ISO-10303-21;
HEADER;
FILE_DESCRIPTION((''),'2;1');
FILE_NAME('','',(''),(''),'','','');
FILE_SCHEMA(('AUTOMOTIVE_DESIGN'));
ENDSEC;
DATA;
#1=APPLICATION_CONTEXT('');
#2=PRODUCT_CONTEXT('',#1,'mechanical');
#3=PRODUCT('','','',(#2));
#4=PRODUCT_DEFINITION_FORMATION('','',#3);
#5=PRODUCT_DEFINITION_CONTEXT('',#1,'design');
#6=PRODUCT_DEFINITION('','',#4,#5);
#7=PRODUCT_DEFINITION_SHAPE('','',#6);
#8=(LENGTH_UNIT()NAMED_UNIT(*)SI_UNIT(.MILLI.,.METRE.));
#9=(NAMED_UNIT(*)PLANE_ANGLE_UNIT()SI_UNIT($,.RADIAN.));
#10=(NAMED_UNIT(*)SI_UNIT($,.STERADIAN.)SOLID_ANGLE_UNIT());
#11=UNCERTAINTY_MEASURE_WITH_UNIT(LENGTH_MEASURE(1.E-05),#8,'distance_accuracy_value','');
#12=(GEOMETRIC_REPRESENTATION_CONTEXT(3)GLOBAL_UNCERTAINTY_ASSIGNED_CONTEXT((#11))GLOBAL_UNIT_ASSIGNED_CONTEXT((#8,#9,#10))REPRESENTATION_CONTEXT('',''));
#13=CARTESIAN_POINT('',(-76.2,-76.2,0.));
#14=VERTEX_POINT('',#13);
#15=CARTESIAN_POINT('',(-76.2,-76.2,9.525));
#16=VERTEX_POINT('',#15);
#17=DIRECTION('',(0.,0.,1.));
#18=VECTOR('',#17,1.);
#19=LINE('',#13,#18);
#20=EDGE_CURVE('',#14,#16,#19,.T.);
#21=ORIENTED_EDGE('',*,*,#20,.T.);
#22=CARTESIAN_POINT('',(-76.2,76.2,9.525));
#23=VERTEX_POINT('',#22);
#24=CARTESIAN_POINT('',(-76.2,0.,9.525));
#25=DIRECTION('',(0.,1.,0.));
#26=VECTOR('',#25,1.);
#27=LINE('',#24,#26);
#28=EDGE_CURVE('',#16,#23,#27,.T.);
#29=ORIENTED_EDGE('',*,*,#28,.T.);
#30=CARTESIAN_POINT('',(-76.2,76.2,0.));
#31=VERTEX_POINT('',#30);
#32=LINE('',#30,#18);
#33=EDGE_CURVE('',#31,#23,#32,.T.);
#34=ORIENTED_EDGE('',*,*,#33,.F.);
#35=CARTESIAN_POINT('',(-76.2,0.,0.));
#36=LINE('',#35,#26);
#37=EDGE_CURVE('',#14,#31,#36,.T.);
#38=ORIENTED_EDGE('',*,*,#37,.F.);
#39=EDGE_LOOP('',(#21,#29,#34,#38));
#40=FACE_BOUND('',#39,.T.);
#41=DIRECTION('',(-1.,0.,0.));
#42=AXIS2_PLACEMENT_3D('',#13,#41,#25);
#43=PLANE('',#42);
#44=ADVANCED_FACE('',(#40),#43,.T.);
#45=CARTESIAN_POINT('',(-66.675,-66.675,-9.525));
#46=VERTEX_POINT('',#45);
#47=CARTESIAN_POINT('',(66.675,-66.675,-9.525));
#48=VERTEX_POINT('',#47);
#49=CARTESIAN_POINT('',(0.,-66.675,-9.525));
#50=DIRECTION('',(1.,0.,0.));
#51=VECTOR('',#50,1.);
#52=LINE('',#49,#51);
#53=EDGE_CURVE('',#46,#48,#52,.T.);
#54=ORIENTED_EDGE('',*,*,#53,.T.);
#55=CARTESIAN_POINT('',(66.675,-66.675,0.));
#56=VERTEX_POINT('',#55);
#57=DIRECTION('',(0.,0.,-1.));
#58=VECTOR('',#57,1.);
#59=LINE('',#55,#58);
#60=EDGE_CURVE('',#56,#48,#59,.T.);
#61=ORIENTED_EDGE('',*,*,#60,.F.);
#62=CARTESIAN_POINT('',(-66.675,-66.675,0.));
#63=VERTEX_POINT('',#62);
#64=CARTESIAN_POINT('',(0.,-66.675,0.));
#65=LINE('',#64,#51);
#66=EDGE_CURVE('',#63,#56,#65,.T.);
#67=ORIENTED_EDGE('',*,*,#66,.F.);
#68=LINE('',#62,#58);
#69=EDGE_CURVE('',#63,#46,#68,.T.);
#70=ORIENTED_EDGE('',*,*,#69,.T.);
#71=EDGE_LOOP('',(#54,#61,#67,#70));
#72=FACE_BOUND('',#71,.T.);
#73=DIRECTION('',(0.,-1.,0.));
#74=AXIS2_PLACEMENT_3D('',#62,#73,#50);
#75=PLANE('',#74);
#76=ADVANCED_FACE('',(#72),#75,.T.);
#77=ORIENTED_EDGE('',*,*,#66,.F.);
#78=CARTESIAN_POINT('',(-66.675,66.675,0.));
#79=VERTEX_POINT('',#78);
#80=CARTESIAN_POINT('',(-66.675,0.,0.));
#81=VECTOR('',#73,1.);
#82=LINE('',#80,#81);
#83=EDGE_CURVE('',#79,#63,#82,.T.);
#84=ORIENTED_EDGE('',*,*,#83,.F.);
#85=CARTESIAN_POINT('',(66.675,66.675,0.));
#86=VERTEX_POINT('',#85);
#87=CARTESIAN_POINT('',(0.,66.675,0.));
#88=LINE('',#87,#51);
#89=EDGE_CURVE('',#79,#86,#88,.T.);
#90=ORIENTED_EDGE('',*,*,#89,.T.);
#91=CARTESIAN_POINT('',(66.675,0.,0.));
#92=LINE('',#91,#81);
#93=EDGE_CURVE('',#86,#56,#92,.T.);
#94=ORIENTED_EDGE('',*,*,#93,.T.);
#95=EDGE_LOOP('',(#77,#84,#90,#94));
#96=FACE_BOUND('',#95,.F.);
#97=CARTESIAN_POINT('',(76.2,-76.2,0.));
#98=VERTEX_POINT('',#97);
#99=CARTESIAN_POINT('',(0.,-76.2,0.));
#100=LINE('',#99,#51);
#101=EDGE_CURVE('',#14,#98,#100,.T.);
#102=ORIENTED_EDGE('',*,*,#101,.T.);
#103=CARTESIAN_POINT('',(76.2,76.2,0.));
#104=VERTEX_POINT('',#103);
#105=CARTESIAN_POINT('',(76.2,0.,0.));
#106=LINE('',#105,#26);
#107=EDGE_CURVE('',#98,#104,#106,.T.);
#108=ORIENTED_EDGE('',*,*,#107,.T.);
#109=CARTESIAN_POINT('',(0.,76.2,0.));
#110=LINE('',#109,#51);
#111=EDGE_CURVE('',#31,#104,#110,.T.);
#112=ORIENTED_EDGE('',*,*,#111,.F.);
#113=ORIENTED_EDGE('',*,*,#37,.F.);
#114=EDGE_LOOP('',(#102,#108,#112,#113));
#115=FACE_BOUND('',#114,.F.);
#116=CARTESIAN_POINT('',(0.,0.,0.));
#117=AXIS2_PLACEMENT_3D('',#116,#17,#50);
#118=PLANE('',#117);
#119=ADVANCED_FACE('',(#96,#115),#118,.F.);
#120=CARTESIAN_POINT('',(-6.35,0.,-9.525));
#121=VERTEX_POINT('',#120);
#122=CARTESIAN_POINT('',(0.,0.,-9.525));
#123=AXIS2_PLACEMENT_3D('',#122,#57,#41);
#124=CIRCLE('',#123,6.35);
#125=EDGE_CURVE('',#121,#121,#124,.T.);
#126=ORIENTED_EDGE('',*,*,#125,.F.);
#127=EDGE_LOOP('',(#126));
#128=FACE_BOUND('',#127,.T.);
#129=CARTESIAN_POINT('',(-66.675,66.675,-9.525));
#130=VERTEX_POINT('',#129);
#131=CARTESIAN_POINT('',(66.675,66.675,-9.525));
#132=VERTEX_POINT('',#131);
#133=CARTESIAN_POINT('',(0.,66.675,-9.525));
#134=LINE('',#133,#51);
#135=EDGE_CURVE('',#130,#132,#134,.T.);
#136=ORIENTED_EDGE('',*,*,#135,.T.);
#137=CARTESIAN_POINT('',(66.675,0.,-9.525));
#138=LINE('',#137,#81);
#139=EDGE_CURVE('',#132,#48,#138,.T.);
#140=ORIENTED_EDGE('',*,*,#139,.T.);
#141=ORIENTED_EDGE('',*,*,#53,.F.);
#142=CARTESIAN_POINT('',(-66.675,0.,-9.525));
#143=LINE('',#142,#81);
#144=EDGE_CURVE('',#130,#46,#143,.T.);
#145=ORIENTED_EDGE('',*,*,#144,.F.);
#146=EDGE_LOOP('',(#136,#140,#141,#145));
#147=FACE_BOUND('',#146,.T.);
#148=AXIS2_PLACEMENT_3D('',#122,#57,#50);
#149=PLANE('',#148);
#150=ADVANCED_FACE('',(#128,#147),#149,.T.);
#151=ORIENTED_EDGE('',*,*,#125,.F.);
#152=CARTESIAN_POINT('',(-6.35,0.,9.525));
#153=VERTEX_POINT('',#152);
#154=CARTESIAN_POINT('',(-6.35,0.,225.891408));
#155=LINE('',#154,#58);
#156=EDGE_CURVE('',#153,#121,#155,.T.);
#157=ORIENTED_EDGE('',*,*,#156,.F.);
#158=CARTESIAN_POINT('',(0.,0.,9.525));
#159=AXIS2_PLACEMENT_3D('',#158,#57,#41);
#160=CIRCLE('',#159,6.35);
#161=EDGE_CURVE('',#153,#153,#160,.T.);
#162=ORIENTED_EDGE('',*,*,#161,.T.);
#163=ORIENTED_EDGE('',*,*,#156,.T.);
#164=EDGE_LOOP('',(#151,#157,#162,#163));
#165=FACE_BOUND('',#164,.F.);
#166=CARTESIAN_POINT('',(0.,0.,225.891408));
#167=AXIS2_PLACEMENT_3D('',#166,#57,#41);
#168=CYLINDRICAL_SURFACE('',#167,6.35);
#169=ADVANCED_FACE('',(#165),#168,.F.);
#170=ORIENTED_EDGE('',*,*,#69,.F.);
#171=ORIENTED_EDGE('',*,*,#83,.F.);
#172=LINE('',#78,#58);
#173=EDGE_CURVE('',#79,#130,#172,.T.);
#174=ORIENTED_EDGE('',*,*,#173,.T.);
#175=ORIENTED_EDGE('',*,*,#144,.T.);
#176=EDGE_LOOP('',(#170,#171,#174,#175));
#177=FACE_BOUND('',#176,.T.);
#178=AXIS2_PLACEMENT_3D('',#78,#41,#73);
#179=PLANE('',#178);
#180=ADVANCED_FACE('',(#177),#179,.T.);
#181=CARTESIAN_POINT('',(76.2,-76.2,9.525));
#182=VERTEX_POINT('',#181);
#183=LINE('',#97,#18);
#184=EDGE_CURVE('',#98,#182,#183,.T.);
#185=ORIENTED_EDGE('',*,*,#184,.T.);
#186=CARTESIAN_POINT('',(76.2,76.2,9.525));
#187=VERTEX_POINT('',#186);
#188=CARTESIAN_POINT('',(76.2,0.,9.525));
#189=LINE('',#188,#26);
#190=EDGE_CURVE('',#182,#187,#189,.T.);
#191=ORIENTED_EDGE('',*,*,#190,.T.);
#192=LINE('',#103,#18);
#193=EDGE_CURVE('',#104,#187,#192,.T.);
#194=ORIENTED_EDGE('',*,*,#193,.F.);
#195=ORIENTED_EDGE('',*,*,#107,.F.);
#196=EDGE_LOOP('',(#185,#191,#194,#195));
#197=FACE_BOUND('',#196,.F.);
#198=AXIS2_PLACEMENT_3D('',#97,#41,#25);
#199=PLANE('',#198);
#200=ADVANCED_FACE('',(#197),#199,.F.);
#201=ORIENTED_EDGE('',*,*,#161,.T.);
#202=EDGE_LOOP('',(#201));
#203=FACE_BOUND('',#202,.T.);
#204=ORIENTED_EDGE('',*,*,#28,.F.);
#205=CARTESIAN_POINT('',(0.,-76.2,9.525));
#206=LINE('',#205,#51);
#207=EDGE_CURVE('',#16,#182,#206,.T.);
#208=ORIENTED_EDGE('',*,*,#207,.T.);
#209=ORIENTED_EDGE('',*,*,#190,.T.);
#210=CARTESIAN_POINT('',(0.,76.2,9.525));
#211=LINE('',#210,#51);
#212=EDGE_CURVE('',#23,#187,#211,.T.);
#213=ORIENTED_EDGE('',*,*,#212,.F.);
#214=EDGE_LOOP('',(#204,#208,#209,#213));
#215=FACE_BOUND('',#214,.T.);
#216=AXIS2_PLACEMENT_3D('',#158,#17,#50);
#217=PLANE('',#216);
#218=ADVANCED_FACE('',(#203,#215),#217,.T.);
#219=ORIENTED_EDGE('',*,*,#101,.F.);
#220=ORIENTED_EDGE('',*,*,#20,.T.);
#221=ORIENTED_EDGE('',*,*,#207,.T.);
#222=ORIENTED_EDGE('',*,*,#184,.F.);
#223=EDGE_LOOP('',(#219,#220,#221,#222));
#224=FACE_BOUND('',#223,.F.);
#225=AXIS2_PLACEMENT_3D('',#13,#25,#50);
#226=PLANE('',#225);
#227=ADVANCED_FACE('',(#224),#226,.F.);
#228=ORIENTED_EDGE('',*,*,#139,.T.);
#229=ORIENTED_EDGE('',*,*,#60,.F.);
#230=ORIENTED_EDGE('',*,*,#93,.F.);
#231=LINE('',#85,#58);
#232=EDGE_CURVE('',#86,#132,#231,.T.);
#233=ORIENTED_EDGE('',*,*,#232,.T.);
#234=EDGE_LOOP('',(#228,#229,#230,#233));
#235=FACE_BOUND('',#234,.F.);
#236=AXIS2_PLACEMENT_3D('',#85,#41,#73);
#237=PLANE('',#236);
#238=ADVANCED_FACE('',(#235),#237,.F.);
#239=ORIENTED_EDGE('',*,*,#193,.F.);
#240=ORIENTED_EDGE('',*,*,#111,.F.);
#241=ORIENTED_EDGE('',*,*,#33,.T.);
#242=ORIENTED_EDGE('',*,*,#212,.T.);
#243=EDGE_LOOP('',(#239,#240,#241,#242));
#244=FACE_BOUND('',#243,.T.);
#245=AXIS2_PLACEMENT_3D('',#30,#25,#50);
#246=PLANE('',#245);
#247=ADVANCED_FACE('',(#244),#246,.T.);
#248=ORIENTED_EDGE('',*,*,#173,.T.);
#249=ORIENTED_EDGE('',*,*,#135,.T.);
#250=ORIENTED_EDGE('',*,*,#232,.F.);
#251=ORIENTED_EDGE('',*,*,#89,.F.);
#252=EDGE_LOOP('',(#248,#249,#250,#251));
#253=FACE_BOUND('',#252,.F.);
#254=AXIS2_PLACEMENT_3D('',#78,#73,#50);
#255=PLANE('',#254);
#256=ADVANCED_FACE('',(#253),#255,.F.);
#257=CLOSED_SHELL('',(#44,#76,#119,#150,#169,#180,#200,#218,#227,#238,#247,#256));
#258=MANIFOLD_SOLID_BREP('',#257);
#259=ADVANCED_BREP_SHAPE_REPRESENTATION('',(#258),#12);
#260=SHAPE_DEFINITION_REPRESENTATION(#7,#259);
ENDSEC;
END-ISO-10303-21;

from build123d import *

# Parameters (mm, degrees)
F0_W     = 152.4
F0_H     = 152.4
F1_DEPTH = 9.525
F2_W     = 133.35
F2_H     = 133.35
F3_DEPTH = 9.525
F5_D     = 12.7


with BuildPart() as f1:
    # F0 (on Top) → F1 (new body)
    with BuildSketch(Plane.XY):
        Rectangle(F0_W, F0_H)
    extrude(amount=F1_DEPTH)

    # F2 (on face) → F3 (join)
    with BuildSketch(Plane(origin=(0, 0, 0), x_dir=(1, 0, 0), z_dir=(0, 0, -1))):
        Rectangle(F2_W, F2_H)
    extrude(amount=F3_DEPTH)

    # F5 (through all)
    with Locations(Plane.XY.offset(9.525)):
        with Locations((0, 0)):
            Hole(F5_D / 2)


solid = f1.part
